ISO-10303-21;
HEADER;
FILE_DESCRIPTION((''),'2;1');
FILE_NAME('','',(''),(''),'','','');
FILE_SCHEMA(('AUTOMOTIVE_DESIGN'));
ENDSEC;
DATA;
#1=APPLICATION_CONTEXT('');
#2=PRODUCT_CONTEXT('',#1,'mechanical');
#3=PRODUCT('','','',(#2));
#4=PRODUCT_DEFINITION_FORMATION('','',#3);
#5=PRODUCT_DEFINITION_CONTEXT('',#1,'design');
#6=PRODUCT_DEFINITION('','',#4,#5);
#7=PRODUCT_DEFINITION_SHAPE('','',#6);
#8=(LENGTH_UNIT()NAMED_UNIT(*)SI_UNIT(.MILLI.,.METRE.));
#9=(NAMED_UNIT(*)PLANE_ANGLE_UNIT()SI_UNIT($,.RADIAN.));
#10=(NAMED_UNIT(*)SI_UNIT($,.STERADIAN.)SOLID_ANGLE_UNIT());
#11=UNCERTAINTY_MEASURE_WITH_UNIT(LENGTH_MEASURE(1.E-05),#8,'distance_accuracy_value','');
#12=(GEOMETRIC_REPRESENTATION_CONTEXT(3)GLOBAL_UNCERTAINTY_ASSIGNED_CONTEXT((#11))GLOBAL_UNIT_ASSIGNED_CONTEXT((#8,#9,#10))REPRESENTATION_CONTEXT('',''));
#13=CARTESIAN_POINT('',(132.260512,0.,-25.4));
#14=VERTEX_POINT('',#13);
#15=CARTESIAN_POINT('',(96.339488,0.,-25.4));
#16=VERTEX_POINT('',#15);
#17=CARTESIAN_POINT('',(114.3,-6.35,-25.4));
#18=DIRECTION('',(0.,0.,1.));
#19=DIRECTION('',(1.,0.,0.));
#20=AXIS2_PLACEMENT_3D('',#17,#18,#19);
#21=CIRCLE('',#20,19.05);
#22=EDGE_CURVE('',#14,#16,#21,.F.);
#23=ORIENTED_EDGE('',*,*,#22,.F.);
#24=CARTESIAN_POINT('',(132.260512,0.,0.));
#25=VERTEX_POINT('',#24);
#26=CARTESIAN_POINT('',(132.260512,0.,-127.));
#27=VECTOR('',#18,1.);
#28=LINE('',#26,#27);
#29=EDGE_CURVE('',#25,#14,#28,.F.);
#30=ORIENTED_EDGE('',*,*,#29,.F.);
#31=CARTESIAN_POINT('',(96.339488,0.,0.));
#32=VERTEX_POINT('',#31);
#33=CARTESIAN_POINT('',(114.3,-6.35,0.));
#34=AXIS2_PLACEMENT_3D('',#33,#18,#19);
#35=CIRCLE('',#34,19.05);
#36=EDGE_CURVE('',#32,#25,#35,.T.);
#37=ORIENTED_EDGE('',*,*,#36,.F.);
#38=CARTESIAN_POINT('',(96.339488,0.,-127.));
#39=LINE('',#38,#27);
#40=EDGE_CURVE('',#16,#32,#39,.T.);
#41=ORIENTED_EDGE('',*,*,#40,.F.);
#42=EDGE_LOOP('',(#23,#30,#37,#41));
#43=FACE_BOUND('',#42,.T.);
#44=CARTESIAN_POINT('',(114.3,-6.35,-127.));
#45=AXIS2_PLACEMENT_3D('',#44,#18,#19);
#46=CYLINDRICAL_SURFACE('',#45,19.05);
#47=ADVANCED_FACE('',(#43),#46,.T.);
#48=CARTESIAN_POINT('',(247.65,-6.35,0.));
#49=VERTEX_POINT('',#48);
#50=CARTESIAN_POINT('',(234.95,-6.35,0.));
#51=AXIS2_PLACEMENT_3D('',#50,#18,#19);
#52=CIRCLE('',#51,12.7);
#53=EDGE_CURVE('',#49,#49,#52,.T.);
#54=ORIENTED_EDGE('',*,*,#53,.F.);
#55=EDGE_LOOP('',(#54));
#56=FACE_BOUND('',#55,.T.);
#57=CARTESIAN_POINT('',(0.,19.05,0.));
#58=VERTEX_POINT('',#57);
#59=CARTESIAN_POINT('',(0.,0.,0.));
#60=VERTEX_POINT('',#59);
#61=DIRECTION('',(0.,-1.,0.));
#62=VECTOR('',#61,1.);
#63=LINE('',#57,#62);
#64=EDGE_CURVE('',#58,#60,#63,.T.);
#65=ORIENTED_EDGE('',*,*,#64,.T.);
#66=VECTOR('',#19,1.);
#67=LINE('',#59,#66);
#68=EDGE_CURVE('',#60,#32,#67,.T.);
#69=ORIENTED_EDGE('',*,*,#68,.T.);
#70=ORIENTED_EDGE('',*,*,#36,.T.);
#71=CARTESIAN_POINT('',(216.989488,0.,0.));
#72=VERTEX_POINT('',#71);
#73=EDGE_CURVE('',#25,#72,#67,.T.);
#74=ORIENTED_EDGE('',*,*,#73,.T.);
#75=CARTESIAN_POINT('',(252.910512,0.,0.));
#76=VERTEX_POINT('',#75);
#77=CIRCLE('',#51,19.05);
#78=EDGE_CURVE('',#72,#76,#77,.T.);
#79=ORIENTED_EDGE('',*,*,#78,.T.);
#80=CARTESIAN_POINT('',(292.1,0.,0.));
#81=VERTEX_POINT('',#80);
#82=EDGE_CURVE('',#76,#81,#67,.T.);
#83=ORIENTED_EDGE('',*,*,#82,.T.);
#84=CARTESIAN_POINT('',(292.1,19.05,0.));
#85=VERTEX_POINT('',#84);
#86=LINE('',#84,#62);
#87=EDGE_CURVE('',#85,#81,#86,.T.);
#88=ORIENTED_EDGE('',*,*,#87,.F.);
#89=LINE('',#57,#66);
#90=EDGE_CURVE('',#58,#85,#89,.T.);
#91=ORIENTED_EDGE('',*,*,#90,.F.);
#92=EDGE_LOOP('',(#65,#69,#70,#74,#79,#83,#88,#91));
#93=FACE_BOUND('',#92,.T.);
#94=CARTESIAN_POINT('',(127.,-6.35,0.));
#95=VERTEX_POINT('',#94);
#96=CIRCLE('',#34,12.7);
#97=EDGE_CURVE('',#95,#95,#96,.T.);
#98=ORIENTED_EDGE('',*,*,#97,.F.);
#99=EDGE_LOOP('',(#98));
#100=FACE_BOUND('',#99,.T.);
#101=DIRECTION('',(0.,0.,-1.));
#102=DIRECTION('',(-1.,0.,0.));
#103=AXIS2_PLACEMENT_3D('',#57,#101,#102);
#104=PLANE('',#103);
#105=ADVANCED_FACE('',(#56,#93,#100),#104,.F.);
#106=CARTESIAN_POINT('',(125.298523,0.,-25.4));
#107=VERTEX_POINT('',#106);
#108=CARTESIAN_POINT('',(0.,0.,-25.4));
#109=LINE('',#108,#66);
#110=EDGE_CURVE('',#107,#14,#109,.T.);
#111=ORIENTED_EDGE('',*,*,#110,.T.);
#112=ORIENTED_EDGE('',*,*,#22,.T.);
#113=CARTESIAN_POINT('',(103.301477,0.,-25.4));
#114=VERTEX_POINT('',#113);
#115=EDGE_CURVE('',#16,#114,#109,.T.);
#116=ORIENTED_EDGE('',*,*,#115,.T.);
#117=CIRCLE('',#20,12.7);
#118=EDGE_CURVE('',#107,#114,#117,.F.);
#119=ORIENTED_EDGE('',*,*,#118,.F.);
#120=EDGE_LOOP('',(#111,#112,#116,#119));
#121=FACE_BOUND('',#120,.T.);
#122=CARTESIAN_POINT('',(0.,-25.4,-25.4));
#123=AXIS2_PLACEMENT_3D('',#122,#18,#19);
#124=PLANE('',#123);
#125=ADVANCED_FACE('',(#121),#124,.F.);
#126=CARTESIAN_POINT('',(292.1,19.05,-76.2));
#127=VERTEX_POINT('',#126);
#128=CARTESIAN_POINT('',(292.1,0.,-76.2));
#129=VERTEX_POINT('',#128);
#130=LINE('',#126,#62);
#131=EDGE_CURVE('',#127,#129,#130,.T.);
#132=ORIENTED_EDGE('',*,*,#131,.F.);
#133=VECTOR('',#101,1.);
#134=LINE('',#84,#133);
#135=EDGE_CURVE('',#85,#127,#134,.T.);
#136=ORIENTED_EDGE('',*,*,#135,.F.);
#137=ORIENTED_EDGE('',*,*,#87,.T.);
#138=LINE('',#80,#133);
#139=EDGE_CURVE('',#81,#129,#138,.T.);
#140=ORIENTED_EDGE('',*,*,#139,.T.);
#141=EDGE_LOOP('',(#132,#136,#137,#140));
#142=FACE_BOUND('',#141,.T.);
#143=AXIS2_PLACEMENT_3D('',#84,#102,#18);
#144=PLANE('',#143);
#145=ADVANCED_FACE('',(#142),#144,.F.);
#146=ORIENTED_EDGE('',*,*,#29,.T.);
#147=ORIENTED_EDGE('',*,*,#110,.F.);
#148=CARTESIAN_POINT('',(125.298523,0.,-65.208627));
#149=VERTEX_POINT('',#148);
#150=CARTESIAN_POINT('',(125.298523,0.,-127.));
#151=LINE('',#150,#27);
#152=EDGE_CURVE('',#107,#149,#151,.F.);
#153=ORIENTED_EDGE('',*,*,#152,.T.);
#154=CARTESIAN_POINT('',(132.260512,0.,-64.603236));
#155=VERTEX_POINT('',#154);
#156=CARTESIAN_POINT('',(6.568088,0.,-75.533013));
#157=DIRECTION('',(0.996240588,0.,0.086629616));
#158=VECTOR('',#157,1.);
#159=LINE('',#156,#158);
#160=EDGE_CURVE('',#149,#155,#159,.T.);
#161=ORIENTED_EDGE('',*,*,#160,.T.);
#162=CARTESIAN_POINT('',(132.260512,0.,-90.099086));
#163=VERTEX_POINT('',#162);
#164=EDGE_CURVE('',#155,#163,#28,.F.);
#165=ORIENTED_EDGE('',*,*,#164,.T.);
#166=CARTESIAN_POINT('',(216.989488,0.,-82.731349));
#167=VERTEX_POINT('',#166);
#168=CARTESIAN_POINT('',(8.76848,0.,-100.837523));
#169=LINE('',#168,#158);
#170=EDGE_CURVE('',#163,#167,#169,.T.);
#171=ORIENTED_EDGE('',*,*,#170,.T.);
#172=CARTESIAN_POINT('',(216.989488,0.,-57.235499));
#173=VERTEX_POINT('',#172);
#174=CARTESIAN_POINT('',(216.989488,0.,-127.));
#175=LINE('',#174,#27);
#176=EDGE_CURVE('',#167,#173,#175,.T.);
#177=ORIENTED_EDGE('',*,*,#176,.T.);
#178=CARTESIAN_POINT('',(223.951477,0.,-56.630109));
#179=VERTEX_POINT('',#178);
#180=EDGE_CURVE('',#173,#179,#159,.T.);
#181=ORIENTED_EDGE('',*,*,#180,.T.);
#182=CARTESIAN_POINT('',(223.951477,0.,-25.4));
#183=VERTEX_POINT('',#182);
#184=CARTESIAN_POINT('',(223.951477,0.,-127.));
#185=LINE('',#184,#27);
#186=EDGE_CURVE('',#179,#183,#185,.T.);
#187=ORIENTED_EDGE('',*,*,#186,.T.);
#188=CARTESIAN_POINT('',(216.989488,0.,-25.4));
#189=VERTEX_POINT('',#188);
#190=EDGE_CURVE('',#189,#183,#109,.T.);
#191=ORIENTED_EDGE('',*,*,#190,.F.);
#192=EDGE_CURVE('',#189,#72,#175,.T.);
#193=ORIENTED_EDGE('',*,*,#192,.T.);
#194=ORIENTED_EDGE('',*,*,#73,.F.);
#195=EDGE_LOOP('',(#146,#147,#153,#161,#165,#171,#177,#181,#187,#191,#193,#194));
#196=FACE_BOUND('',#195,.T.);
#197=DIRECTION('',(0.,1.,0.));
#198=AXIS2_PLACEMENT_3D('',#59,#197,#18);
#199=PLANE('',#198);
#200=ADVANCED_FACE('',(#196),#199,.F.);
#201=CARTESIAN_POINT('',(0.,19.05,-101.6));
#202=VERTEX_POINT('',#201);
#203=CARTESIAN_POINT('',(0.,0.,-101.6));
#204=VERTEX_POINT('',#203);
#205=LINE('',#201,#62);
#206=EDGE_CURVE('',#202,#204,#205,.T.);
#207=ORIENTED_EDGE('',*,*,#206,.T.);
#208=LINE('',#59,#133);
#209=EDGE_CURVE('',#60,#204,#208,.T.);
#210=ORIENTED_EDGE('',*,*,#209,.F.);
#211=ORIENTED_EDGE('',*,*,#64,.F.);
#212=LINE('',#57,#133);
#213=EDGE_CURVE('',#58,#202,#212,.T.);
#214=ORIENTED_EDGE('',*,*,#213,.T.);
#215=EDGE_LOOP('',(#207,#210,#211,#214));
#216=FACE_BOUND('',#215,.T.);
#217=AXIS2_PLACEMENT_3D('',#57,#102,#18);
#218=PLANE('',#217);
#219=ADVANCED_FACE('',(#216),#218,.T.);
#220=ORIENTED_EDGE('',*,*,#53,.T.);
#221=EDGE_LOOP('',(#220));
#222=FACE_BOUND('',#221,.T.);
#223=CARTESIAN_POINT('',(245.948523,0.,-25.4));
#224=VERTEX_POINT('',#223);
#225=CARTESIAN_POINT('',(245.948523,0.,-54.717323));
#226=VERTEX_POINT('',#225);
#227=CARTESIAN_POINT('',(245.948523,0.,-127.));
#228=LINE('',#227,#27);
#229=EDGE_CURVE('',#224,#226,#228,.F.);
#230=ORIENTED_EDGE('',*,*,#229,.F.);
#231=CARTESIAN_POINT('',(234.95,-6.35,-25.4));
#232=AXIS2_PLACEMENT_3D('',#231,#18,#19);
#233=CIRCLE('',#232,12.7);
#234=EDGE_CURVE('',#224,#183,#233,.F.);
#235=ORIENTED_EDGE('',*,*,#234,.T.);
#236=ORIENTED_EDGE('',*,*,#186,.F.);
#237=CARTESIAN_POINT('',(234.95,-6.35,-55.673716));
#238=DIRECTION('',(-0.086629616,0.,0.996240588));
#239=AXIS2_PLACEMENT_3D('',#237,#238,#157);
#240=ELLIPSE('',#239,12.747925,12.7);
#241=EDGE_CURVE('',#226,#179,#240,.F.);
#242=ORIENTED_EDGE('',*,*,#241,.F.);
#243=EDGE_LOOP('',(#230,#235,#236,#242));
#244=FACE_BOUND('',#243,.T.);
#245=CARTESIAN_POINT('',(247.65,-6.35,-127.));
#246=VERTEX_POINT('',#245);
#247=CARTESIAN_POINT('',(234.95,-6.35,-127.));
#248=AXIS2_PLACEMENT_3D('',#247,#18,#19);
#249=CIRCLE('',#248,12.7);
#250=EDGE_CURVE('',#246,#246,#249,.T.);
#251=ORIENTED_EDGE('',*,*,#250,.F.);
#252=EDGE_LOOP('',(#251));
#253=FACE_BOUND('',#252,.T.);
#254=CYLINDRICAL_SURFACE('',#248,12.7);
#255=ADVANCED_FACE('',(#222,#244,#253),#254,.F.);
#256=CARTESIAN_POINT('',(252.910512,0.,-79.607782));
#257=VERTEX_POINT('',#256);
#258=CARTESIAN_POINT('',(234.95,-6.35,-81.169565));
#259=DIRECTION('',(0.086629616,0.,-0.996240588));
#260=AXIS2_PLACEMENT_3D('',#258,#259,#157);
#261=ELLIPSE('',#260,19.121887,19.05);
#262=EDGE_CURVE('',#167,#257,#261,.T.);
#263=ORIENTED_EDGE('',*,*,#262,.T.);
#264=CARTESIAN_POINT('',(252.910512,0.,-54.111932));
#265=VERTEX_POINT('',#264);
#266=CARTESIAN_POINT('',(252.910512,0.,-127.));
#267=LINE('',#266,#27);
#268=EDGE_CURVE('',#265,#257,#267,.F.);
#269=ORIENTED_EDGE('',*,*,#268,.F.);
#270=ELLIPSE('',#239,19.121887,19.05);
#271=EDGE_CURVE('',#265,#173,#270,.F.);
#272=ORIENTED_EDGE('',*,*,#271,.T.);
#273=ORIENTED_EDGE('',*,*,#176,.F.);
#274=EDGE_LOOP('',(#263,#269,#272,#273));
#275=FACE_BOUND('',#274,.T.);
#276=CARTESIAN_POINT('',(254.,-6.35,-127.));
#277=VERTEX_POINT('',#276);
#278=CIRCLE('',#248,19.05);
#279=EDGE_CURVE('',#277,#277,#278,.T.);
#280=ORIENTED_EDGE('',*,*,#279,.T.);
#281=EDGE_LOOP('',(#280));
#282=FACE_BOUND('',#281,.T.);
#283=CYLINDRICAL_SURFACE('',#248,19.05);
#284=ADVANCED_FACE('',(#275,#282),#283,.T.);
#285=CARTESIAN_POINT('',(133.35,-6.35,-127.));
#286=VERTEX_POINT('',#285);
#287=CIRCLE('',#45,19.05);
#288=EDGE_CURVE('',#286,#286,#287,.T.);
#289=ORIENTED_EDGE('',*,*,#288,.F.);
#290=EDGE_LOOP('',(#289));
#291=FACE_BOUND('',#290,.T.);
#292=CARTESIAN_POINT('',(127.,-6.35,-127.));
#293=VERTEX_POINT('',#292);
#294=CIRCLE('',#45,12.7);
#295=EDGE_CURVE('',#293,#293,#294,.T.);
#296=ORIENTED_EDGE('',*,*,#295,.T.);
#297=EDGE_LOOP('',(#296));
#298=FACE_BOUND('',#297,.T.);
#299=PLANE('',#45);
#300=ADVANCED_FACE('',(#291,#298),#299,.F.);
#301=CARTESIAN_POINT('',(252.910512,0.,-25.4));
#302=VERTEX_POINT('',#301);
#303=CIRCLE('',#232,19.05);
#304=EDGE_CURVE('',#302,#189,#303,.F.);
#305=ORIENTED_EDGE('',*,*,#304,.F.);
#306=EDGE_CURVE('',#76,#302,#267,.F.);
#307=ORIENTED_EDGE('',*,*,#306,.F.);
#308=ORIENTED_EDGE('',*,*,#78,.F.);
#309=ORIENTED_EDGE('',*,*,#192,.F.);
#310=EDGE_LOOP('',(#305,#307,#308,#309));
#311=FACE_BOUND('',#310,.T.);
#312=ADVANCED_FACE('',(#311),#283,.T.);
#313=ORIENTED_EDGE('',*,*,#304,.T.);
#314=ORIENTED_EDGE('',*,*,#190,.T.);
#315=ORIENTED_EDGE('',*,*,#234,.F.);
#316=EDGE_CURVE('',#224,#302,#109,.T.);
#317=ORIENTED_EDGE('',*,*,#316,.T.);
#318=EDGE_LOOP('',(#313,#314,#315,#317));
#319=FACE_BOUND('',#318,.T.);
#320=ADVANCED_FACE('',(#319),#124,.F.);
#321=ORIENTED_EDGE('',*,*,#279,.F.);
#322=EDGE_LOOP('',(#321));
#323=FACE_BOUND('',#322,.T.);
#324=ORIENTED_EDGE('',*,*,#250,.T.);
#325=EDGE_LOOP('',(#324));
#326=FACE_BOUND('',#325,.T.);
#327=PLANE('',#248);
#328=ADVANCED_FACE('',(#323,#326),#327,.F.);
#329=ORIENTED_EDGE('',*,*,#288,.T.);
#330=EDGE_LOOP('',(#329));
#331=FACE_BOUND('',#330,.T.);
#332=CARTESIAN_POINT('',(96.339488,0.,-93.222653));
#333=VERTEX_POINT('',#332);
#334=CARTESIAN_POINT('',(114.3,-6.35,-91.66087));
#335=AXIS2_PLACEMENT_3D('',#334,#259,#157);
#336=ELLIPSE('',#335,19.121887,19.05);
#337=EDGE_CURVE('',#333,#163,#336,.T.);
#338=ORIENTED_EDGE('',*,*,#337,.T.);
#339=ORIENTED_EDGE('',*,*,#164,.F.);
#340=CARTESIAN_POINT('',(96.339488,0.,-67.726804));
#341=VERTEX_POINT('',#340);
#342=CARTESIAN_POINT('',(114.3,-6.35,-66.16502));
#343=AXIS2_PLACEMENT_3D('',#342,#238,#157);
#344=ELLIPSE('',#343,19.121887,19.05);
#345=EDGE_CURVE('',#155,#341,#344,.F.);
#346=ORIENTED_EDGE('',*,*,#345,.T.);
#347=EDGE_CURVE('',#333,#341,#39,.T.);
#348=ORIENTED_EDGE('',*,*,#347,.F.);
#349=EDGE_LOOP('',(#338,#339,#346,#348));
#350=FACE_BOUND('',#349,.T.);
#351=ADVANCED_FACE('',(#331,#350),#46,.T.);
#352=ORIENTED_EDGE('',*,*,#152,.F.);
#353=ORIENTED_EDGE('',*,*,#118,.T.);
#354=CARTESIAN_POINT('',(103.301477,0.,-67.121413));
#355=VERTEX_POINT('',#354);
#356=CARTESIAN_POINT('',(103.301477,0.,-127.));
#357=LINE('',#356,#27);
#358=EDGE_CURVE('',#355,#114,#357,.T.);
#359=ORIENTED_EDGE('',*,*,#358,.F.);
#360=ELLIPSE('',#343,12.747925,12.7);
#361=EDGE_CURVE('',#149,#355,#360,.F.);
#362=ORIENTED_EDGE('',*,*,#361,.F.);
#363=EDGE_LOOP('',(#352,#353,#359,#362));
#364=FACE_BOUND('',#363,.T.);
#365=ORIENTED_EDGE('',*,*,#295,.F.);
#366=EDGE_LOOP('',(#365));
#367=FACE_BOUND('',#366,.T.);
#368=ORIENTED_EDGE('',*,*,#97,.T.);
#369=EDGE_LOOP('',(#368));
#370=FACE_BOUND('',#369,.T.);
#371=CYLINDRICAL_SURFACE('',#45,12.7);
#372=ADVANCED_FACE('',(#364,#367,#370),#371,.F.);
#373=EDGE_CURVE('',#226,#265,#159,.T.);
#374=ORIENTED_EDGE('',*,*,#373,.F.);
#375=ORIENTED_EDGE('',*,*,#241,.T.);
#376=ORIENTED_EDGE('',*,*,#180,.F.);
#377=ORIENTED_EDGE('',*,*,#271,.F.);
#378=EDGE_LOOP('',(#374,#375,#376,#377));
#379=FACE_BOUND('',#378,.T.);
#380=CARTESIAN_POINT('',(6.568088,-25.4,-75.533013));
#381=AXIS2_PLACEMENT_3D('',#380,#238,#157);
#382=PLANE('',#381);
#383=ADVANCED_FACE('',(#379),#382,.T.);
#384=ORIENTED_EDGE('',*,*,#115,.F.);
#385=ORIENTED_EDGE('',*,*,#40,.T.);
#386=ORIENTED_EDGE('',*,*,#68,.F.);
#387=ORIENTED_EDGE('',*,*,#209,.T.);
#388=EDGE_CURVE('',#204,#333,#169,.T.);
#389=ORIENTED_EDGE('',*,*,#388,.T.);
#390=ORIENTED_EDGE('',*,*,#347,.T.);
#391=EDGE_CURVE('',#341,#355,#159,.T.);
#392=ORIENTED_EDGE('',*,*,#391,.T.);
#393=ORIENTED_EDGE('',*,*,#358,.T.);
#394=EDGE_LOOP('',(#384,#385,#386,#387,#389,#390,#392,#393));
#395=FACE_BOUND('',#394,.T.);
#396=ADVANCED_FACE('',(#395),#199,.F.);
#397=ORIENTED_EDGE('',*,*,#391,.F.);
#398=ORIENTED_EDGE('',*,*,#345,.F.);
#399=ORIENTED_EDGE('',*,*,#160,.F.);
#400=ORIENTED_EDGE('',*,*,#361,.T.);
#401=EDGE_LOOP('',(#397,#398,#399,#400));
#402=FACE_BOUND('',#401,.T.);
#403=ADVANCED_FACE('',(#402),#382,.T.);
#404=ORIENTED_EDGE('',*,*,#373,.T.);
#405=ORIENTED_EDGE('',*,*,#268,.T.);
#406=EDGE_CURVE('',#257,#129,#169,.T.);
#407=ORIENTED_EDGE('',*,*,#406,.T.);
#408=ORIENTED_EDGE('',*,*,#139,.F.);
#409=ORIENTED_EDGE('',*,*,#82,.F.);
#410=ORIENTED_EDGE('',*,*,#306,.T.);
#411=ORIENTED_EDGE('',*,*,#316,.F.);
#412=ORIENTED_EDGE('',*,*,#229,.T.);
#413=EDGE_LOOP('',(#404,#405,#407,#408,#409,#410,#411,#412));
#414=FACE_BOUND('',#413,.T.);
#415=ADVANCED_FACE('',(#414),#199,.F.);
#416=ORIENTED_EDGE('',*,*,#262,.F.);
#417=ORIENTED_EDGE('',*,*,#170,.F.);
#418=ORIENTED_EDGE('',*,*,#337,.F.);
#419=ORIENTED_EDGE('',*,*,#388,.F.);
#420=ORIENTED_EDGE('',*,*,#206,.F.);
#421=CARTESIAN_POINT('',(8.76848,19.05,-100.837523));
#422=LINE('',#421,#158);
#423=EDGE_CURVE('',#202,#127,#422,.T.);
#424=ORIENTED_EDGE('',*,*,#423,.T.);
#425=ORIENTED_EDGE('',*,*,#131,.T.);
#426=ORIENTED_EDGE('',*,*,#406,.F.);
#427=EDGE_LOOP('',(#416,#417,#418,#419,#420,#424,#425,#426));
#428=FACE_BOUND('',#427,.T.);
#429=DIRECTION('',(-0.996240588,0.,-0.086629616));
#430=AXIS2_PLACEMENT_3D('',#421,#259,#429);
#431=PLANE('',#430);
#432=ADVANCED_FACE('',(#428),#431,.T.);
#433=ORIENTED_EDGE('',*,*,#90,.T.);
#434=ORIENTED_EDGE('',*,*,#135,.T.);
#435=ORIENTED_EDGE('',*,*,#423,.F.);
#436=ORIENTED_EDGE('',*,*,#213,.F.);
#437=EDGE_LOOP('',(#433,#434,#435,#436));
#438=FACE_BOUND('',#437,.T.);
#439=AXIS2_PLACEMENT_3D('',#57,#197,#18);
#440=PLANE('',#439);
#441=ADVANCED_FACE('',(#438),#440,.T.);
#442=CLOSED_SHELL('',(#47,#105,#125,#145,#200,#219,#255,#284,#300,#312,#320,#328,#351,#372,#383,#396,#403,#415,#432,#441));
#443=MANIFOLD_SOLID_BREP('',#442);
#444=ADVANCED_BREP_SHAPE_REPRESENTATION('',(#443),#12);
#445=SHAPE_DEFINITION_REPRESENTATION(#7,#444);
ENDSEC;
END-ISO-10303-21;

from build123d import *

# Parameters (mm, degrees)
BOSS_EXTRUDE1_DEPTH = 19.05
SKETCH6_R           = 19.05
SKETCH6_R_2         = 12.7
BOSS_EXTRUDE3_DEPTH = 127
CUT_EXTRUDE1_REACH  = 321.526
SKETCH7_R           = 12.7
CUT_EXTRUDE2_DEPTH  = 320.525538885


with BuildPart() as part:
    # Sketch1 → Boss-Extrude1 (new body)
    with BuildSketch(Plane(origin=(0, 0, 0), x_dir=(1, 0, 0), z_dir=(0, 1, 0))):
        Polygon((292.1, 76.2), (0, 101.6), (0, 0), (292.1, 0), align=None)
    extrude(amount=BOSS_EXTRUDE1_DEPTH)

    # Sketch6 → Boss-Extrude3 (add)
    # profile 1 of 2: a face of its own
    with BuildSketch(Plane.XY):
        with Locations((114.3, -6.35)):
            Circle(SKETCH6_R)
        with Locations((114.3, -6.35)):
            Circle(SKETCH6_R_2, mode=Mode.SUBTRACT)
    # profile 2 of 2: a face of its own
    with BuildSketch(Plane.XY):
        with Locations((234.95, -6.35)):
            Circle(SKETCH6_R)
        with Locations((234.95, -6.35)):
            Circle(SKETCH6_R_2, mode=Mode.SUBTRACT)
    extrude(amount=-BOSS_EXTRUDE3_DEPTH)

    # Cut-Extrude1: up to this face of the body (flat: up to its plane)
    cut_extrude1_end = Plane(part.part.faces().sort_by_distance((142.169333517, 10.10414021, -89.237449259))[0])
    # Sketch7 → Cut-Extrude1 (cut, up to the picked face)
    with BuildSketch(Plane.XY, mode=Mode.PRIVATE) as cut_extrude1_sk1:
        with Locations((114.3, -6.35)):
            Circle(SKETCH7_R)
    cut_extrude1_tool1 = split(extrude(cut_extrude1_sk1.sketch, amount=-CUT_EXTRUDE1_REACH, mode=Mode.PRIVATE), bisect_by=cut_extrude1_end, keep=Keep.BOTH, mode=Mode.PRIVATE)
    # Sketch7 → Cut-Extrude1 (cut, up to the picked face)
    with BuildSketch(Plane.XY, mode=Mode.PRIVATE) as cut_extrude1_sk2:
        with Locations((234.95, -6.35)):
            Circle(SKETCH7_R)
    cut_extrude1_tool2 = split(extrude(cut_extrude1_sk2.sketch, amount=-CUT_EXTRUDE1_REACH, mode=Mode.PRIVATE), bisect_by=cut_extrude1_end, keep=Keep.BOTH, mode=Mode.PRIVATE)
    add(cut_extrude1_tool1.solids().sort_by(Axis((114.3, -6.35, 0), (0, 0, -1)))[0], mode=Mode.SUBTRACT)
    add(cut_extrude1_tool2.solids().sort_by(Axis((234.95, -6.35, 0), (0, 0, -1)))[0], mode=Mode.SUBTRACT)

    # Sketch8 → Cut-Extrude2 (cut, through all)
    with BuildSketch(Plane.XZ):
        Polygon((132.260512242, -25.4), (0, -25.4), (0, -76.104150603), (132.260512242, -64.603236495), align=None)
        Polygon((216.989487758, -25.4), (132.260512242, -25.4), (132.260512242, -64.603236495), (216.989487758, -57.235499493), align=None)
        Polygon((292.1, -25.4), (216.989487758, -25.4), (216.989487758, -57.235499493), (292.1, -50.704150603), align=None)
    extrude(amount=CUT_EXTRUDE2_DEPTH, mode=Mode.SUBTRACT)


solid = part.part
